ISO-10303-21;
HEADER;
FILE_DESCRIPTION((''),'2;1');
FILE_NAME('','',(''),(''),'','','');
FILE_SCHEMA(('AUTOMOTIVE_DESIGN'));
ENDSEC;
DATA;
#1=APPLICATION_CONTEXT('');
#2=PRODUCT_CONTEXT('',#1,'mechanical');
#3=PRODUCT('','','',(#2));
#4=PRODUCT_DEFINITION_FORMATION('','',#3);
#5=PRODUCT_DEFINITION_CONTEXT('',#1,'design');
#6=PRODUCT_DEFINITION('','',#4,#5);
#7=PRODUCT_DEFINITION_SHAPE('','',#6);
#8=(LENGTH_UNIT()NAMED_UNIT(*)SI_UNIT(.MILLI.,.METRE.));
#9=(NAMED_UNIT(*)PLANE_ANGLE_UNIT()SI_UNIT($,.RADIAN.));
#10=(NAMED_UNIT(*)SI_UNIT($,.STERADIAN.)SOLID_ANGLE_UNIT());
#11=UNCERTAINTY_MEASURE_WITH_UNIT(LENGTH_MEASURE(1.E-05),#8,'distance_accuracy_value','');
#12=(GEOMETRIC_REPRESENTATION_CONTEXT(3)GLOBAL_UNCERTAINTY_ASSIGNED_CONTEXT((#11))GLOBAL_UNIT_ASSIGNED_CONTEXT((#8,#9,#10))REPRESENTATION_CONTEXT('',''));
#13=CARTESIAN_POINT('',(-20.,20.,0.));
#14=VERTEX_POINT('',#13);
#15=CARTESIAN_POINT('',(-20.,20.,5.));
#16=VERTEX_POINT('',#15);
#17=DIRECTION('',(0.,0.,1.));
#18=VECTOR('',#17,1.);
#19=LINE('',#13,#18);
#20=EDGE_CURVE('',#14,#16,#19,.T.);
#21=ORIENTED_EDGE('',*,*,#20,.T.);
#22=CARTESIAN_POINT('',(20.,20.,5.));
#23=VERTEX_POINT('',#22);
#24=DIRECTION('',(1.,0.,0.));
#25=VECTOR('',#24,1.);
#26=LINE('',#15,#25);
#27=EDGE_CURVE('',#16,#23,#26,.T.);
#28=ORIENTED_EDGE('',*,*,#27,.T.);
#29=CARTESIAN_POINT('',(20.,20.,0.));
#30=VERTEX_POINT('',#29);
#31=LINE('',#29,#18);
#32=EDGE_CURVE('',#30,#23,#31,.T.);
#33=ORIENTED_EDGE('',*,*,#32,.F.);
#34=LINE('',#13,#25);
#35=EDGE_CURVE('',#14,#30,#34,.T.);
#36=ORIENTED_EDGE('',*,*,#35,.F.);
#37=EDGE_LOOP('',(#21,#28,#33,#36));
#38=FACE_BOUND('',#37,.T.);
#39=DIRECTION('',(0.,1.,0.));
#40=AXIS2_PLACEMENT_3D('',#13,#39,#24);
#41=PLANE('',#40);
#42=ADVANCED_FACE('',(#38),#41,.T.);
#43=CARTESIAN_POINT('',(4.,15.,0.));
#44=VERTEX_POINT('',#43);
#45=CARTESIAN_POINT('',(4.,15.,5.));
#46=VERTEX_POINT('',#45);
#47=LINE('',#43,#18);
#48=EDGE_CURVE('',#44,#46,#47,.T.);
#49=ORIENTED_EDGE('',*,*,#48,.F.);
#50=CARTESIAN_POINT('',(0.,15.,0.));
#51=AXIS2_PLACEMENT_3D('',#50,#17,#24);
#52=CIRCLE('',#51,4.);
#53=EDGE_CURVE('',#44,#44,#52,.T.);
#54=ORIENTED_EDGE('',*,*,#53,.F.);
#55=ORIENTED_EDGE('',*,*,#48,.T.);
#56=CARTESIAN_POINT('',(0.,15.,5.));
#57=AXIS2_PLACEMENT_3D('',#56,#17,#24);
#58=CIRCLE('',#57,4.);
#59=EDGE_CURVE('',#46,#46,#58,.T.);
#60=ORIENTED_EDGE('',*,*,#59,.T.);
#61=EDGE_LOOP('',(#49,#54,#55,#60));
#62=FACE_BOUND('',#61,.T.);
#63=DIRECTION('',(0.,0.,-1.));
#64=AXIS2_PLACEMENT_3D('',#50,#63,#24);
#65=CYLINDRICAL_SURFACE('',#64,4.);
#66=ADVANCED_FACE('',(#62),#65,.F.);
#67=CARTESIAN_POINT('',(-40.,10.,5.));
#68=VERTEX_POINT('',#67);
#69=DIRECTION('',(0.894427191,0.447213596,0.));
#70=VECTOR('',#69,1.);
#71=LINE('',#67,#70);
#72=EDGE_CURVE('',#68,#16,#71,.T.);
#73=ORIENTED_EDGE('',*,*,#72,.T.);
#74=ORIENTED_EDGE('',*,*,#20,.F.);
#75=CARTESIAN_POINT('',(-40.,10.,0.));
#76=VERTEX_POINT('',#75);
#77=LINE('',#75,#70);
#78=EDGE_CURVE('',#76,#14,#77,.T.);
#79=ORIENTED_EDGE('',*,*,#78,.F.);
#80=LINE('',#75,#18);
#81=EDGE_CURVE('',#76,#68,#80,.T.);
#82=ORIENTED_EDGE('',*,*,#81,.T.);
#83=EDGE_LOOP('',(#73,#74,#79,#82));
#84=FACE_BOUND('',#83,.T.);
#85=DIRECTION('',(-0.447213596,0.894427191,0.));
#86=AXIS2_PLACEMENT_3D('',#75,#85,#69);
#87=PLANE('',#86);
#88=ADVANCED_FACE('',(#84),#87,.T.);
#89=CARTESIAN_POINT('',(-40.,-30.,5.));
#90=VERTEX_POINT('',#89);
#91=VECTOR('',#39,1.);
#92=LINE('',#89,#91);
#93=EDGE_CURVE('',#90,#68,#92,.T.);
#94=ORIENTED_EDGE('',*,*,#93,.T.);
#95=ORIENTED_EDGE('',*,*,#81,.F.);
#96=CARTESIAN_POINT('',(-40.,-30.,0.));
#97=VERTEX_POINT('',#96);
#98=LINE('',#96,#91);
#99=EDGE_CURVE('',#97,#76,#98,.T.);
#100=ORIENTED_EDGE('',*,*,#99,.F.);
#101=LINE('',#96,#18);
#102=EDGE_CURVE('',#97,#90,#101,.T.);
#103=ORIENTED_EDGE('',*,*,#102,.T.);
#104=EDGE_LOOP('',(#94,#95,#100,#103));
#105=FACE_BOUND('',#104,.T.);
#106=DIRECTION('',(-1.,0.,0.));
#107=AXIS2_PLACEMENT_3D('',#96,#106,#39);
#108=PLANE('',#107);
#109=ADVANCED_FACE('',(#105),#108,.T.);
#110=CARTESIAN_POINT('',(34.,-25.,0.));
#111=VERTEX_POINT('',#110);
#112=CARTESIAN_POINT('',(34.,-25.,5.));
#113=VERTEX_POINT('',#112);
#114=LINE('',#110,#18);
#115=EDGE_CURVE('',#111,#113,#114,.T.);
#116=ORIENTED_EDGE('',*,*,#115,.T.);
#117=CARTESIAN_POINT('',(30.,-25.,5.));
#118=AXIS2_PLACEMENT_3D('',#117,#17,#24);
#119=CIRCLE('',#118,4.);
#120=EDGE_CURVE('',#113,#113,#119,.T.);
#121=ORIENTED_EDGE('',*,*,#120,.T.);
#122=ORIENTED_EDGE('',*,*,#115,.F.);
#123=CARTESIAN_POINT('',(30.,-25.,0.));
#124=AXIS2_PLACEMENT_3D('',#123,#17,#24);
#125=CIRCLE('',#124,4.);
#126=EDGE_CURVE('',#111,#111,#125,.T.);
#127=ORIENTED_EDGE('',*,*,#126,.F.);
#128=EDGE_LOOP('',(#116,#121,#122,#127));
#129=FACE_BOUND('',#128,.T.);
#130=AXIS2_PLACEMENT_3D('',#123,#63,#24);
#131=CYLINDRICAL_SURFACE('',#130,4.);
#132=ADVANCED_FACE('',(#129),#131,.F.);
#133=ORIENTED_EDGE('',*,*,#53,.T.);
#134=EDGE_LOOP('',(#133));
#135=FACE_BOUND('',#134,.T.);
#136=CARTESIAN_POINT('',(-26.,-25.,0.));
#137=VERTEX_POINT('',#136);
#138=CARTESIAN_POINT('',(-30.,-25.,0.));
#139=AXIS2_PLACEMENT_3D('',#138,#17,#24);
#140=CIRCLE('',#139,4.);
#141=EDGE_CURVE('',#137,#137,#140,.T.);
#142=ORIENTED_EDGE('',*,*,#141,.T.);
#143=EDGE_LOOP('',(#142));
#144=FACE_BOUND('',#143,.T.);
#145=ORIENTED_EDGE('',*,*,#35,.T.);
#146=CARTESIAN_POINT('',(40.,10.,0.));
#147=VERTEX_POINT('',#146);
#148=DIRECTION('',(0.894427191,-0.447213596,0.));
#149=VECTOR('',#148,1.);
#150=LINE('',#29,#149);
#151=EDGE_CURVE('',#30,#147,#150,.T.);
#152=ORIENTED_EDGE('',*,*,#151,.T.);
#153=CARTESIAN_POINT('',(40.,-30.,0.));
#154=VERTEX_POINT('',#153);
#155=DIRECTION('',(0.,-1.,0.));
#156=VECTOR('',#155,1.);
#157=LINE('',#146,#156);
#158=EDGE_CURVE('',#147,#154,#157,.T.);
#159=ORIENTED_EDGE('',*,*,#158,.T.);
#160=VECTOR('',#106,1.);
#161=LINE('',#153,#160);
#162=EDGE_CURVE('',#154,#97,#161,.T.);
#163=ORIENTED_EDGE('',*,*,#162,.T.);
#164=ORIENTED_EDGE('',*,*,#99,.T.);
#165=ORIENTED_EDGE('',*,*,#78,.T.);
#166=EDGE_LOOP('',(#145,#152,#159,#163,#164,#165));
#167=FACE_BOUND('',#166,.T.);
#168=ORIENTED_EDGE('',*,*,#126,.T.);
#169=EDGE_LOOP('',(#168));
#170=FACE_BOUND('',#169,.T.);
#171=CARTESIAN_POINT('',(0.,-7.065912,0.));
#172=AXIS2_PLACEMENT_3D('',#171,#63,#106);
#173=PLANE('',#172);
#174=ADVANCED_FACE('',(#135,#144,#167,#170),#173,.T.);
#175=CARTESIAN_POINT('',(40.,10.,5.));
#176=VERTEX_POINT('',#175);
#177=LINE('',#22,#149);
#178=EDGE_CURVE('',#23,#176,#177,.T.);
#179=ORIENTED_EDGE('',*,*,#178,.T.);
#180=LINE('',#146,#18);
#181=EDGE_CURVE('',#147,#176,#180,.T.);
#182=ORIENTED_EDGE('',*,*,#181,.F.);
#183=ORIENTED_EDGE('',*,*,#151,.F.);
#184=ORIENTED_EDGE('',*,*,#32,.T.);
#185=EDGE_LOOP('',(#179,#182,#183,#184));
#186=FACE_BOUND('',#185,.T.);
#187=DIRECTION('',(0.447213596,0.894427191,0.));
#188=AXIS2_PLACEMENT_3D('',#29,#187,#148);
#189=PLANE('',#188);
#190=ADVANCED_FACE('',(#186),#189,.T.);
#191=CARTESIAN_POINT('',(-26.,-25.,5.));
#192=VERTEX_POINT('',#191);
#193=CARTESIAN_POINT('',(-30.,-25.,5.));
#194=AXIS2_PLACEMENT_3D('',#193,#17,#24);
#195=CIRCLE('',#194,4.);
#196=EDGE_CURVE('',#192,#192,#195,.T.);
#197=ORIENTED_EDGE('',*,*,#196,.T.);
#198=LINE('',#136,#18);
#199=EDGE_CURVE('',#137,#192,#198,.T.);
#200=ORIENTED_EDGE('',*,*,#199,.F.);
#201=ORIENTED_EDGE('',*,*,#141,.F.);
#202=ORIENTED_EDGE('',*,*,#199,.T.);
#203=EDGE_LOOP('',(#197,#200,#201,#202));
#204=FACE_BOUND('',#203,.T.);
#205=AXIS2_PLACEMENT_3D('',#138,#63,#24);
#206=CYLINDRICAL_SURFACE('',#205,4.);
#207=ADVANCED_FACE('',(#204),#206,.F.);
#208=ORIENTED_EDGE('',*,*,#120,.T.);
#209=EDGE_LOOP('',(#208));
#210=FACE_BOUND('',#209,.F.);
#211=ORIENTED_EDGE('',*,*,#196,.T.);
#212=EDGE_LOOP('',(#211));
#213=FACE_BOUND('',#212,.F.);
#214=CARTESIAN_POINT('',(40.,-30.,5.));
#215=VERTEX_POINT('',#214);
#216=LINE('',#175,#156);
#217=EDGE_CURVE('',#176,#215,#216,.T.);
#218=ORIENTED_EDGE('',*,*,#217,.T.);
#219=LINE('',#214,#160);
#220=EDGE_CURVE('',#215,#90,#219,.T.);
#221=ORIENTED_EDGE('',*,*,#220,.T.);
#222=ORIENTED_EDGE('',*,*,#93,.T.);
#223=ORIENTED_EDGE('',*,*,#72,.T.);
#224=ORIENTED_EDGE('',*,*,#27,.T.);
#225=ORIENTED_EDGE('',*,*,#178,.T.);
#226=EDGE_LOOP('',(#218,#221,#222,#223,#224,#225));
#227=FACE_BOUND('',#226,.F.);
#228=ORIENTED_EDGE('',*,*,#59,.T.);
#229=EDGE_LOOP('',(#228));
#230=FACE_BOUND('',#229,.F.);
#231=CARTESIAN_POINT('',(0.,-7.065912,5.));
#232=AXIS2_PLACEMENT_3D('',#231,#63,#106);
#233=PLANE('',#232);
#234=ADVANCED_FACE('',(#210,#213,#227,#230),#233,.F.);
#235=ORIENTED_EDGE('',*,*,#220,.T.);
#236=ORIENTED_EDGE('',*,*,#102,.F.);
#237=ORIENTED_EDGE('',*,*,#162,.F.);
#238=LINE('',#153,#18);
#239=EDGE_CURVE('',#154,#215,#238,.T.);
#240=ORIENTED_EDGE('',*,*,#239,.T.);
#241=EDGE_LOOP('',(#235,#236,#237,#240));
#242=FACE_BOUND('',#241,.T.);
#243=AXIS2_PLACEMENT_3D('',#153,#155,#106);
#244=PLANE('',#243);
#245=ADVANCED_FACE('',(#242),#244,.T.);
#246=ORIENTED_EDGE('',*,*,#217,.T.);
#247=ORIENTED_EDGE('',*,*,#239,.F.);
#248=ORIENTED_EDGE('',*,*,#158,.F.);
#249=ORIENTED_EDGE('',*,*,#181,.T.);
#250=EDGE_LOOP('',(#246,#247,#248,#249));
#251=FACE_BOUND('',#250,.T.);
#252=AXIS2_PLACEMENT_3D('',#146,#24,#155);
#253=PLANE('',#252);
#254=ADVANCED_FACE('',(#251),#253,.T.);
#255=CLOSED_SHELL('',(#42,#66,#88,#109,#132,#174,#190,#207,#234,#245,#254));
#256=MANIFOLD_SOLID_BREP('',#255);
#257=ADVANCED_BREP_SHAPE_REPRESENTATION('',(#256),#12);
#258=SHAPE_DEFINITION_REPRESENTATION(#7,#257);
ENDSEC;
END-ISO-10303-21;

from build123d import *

# Parameters (mm, degrees)
SKETCH_R  = 4
PAD_DEPTH = 5


with BuildPart() as part:
    # Sketch → Pad (new body)
    with BuildSketch(Plane.XY):
        Polygon((-20, 20), (20, 20), (40, 10), (40, -30), (-40, -30), (-40, 10), align=None)
        with Locations((-30, -25)):
            Circle(SKETCH_R, mode=Mode.SUBTRACT)
        with Locations((30, -25)):
            Circle(SKETCH_R, mode=Mode.SUBTRACT)
        with Locations((0, 15)):
            Circle(SKETCH_R, mode=Mode.SUBTRACT)
    extrude(amount=PAD_DEPTH)


solid = part.part
